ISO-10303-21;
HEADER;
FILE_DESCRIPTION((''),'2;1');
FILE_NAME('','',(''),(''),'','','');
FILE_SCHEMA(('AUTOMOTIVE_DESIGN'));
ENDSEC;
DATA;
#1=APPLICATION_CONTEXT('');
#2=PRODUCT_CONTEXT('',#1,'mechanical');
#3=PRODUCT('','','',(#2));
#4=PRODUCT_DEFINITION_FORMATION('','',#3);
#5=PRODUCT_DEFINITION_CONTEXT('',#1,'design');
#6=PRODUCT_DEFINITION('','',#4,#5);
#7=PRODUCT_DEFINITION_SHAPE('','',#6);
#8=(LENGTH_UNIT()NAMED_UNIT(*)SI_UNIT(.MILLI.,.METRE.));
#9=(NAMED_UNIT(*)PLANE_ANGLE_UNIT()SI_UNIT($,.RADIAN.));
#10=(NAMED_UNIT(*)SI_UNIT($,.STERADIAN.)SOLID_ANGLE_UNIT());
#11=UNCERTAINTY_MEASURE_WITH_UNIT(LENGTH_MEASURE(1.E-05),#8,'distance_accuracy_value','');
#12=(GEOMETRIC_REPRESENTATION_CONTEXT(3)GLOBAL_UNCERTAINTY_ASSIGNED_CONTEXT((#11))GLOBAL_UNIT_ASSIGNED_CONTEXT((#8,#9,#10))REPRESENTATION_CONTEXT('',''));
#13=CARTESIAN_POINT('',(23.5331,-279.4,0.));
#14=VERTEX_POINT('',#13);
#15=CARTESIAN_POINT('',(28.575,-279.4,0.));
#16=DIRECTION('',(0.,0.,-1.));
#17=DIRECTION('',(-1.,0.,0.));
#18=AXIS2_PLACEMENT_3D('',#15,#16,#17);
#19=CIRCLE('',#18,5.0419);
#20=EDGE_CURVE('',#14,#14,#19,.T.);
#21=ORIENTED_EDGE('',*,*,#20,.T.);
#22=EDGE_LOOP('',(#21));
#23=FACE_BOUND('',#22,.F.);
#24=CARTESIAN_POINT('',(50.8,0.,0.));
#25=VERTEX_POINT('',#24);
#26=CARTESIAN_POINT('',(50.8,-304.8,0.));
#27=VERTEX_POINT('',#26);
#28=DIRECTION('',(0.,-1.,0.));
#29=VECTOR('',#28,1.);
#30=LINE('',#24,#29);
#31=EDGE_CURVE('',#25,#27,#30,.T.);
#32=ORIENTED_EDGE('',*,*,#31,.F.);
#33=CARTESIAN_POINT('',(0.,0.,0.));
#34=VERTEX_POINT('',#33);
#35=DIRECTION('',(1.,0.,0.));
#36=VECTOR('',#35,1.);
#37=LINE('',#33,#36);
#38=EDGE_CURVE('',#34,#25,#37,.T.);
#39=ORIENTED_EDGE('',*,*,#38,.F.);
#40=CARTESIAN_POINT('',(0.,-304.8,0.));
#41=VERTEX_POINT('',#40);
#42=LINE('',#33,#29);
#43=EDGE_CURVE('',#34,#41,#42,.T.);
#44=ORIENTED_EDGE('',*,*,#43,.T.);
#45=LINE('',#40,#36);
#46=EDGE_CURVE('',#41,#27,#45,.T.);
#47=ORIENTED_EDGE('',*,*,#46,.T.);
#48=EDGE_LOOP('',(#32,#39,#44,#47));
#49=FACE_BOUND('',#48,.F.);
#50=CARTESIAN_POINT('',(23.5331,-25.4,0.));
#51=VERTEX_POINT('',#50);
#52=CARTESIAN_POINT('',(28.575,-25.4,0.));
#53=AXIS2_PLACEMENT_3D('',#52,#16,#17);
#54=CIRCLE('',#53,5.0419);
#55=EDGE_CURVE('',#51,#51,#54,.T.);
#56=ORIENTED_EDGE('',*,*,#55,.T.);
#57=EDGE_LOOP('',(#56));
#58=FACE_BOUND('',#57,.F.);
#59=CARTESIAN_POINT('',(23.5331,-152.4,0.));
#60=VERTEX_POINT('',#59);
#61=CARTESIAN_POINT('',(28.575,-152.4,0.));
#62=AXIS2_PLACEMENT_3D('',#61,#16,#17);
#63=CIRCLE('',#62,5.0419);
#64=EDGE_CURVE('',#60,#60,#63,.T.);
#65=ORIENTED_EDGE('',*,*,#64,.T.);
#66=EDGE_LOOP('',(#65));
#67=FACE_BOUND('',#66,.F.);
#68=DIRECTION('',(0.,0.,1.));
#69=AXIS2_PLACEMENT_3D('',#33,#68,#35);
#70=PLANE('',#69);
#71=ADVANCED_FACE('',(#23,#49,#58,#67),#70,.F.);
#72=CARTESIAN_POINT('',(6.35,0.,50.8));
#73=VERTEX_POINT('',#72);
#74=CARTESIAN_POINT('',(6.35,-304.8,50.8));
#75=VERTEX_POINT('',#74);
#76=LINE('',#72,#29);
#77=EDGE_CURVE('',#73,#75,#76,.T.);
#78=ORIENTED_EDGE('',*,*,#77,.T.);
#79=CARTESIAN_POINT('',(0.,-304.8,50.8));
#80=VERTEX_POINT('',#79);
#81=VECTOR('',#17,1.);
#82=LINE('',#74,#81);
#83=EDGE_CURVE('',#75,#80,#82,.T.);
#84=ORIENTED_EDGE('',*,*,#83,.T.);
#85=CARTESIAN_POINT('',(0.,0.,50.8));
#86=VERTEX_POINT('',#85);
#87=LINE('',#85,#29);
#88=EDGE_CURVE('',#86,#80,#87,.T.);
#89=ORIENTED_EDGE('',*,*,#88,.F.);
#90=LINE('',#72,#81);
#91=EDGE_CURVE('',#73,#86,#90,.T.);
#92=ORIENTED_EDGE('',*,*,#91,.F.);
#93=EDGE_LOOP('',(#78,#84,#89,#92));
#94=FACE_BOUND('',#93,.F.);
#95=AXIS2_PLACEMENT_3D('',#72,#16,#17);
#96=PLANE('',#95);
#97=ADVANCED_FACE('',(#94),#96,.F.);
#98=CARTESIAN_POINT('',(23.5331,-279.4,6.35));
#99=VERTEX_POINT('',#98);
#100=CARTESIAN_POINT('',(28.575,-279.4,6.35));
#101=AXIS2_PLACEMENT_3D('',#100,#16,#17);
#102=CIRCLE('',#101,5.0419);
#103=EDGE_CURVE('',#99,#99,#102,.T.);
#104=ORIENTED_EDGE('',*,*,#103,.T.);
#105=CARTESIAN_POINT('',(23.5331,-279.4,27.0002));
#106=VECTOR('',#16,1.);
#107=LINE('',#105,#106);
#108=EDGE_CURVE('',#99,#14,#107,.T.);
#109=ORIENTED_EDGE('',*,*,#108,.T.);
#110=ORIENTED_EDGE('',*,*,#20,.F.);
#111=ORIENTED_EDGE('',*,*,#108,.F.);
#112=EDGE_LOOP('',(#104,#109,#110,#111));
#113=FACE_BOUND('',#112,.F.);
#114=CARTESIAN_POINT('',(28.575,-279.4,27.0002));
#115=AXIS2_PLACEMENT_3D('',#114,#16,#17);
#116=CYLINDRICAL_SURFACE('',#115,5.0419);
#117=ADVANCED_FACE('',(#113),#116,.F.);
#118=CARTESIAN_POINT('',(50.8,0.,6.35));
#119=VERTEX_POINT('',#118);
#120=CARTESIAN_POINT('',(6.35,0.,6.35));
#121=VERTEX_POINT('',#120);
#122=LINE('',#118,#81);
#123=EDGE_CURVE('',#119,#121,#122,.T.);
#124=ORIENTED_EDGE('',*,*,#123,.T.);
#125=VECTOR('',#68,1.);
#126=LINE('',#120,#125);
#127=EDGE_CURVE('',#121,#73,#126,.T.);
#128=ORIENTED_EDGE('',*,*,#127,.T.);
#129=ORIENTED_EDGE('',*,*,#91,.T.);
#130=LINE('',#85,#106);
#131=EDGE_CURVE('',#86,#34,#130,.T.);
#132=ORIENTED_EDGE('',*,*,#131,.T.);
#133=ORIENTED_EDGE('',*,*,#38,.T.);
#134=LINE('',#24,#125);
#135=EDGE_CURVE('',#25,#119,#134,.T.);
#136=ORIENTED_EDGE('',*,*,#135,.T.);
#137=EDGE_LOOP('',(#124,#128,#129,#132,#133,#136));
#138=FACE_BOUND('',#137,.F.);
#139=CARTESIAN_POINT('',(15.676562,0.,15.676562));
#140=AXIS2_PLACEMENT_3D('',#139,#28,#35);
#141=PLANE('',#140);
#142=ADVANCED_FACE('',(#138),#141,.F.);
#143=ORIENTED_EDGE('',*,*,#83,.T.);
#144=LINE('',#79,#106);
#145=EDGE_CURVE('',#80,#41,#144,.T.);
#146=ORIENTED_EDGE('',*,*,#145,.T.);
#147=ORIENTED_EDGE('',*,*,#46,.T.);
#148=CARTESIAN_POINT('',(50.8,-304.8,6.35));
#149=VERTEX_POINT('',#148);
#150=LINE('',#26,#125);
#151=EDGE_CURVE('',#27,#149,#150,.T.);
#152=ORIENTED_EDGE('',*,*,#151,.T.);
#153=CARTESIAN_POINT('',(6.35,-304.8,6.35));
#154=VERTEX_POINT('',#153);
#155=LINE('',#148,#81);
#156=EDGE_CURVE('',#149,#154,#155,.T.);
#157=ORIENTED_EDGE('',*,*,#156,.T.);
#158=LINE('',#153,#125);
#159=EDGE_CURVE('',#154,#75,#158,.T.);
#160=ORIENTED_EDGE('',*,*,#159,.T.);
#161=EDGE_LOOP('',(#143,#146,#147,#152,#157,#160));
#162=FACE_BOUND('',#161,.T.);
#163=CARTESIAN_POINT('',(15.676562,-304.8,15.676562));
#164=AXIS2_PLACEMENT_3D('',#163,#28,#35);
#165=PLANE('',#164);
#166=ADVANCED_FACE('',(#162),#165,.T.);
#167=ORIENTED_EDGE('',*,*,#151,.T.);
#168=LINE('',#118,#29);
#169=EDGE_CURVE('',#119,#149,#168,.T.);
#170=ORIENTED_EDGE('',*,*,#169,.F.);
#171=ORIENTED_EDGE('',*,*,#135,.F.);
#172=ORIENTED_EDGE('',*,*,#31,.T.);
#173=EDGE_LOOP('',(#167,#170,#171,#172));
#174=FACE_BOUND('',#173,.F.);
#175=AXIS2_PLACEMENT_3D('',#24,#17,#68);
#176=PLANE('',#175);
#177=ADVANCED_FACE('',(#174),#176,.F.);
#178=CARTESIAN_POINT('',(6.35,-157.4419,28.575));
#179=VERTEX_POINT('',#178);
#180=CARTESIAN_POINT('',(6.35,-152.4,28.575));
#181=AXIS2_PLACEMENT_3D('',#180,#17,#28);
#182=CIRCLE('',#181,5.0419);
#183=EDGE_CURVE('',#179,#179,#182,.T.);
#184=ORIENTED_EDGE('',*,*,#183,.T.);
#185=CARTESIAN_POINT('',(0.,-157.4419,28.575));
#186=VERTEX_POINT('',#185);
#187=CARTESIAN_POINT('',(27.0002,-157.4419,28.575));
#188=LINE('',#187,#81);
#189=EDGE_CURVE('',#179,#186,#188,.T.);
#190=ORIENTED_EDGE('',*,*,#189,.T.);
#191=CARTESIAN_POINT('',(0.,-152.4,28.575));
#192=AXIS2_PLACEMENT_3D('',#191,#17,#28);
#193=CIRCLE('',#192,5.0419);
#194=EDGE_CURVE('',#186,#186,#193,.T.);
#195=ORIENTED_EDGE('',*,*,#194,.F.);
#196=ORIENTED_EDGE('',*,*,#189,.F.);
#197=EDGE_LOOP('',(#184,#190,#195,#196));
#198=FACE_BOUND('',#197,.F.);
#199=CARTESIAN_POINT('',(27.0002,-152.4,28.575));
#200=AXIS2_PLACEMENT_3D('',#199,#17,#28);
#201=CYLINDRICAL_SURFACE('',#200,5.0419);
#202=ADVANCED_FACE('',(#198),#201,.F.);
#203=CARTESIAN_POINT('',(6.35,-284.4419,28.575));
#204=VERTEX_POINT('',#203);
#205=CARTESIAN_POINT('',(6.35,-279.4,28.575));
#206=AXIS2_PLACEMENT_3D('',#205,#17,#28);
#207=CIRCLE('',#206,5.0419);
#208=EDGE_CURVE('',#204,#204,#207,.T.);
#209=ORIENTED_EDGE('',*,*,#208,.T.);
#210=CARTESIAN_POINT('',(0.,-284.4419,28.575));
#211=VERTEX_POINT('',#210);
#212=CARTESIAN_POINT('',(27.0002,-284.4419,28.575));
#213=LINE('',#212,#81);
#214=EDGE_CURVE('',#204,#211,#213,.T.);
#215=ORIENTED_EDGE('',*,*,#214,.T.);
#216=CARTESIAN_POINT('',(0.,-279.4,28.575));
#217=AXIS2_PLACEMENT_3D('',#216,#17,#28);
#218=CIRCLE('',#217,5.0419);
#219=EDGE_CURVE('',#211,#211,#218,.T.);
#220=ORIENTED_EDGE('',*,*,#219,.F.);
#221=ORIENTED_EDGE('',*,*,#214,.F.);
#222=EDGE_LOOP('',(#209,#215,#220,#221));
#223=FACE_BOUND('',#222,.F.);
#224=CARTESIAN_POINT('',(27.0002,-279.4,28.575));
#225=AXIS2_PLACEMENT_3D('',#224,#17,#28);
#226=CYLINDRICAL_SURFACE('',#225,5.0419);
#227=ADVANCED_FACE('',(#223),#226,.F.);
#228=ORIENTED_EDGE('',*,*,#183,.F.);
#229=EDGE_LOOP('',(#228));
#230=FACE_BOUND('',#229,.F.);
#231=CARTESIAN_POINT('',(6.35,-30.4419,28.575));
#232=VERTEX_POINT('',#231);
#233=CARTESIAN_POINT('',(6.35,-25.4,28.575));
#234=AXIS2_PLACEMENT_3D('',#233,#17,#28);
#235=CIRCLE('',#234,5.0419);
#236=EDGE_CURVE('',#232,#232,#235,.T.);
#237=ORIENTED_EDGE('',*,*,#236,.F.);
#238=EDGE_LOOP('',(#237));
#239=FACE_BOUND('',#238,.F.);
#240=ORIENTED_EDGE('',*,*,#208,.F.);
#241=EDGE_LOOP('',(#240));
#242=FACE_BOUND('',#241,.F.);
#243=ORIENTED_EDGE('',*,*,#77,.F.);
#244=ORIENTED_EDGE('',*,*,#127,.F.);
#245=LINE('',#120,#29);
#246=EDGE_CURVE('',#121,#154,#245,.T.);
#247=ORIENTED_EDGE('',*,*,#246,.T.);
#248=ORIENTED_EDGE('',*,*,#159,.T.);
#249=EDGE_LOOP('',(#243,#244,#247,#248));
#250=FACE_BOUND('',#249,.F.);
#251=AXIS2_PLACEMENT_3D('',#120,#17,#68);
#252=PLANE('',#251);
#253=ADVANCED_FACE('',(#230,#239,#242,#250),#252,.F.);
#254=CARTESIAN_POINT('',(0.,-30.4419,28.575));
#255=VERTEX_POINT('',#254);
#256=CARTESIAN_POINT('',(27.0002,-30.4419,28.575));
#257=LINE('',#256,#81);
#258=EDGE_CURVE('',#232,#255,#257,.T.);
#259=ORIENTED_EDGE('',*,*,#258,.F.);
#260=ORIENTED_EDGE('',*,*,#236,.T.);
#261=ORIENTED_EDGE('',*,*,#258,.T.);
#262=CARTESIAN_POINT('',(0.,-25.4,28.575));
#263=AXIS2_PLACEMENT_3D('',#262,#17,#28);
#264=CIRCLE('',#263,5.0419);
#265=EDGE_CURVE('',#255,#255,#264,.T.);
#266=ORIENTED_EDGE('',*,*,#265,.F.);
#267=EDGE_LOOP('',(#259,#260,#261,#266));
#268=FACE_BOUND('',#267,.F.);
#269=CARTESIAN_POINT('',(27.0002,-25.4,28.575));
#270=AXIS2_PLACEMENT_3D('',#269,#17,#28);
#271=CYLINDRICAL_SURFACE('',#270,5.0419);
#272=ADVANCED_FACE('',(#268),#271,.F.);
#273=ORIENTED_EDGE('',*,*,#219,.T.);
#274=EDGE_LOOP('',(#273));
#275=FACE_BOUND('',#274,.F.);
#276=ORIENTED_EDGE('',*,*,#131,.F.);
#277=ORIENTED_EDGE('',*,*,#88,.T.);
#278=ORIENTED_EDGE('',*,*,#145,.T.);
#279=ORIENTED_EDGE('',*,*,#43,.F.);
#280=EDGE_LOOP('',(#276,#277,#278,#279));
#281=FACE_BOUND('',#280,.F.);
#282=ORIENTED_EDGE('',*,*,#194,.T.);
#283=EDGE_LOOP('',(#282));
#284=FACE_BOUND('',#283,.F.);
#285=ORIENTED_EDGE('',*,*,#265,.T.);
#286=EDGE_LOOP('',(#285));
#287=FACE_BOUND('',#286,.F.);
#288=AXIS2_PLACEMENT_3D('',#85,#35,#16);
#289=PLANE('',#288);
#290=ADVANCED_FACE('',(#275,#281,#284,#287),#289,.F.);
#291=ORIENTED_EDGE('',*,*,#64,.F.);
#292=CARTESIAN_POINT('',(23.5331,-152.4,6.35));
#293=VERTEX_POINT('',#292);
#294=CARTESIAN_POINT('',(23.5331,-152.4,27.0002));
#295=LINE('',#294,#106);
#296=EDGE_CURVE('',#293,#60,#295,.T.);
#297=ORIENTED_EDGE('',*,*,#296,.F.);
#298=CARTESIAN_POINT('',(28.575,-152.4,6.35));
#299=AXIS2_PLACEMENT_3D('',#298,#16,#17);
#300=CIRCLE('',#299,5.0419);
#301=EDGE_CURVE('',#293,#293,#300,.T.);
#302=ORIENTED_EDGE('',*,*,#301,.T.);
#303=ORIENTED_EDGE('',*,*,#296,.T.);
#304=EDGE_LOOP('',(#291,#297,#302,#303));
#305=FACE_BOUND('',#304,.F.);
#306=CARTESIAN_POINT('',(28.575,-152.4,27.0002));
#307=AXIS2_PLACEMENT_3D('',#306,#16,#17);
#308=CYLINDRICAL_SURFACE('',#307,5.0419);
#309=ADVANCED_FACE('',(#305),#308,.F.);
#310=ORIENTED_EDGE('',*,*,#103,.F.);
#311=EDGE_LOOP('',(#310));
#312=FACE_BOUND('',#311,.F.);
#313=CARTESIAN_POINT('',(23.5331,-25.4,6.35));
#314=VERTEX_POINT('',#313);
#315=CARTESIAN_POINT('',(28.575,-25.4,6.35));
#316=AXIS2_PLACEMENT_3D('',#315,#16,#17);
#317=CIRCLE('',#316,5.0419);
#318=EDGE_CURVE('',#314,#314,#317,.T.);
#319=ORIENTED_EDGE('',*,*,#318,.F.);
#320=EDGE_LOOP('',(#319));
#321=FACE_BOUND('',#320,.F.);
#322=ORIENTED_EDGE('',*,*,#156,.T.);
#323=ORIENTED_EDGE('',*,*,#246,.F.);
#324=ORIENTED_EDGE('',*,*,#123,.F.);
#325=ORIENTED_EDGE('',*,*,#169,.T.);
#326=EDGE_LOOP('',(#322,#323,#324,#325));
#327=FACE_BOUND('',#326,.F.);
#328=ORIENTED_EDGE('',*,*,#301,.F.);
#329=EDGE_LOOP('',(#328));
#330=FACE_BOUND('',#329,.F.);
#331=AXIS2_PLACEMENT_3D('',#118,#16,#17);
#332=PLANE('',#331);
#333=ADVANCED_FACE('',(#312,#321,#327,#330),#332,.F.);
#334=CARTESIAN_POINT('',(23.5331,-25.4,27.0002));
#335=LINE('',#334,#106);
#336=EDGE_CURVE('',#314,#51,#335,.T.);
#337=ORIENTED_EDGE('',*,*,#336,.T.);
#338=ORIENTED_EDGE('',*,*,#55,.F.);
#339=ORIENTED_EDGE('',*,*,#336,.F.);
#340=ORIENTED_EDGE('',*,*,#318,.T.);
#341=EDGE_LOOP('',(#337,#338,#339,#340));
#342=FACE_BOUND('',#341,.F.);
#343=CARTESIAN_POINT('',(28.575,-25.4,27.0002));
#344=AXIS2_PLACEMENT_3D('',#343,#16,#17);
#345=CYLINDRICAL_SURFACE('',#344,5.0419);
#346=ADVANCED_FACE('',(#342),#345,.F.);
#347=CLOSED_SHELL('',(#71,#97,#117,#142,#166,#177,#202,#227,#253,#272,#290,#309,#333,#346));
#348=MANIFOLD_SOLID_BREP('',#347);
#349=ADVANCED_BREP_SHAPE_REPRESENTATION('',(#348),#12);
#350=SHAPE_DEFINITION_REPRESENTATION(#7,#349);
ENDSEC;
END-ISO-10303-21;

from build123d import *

# Parameters (mm, degrees)
F1_DEPTH       = 304.8
F4_D           = 10.0838
F4_DEPTH       = 20.6502
F4_TIP         = 3.0294791551
F4_ON_F2_D     = 10.0838
F4_ON_F2_DEPTH = 20.6502
F4_ON_F2_TIP   = 3.0294791551


with BuildPart() as f1:
    # F0 (on Front) → F1 (new body)
    with BuildSketch(Plane.XZ):
        Polygon((0, 50.8), (0, 0), (50.8, 0), (50.8, 6.35), (6.35, 6.35), (6.35, 50.8), align=None)
    extrude(amount=F1_DEPTH)

    # F4
    with Locations(Plane.XY.offset(6.35)):
        with Locations((28.575, -152.4), (28.575, -25.4), (28.575, -279.4)):
            Hole(F4_D / 2, depth=F4_DEPTH)
            with Locations((0, 0, -(F4_DEPTH + F4_TIP / 2))):  # 118° drill point
                Cone(0, F4_D / 2, F4_TIP, mode=Mode.SUBTRACT)

    # F4 on F2
    with Locations(Plane.YZ.offset(6.35)):
        with Locations((-279.4, 28.575), (-152.4, 28.575), (-25.4, 28.575)):
            Hole(F4_ON_F2_D / 2, depth=F4_ON_F2_DEPTH)
            with Locations((0, 0, -(F4_ON_F2_DEPTH + F4_ON_F2_TIP / 2))):  # 118° drill point
                Cone(0, F4_ON_F2_D / 2, F4_ON_F2_TIP, mode=Mode.SUBTRACT)


solid = f1.part
